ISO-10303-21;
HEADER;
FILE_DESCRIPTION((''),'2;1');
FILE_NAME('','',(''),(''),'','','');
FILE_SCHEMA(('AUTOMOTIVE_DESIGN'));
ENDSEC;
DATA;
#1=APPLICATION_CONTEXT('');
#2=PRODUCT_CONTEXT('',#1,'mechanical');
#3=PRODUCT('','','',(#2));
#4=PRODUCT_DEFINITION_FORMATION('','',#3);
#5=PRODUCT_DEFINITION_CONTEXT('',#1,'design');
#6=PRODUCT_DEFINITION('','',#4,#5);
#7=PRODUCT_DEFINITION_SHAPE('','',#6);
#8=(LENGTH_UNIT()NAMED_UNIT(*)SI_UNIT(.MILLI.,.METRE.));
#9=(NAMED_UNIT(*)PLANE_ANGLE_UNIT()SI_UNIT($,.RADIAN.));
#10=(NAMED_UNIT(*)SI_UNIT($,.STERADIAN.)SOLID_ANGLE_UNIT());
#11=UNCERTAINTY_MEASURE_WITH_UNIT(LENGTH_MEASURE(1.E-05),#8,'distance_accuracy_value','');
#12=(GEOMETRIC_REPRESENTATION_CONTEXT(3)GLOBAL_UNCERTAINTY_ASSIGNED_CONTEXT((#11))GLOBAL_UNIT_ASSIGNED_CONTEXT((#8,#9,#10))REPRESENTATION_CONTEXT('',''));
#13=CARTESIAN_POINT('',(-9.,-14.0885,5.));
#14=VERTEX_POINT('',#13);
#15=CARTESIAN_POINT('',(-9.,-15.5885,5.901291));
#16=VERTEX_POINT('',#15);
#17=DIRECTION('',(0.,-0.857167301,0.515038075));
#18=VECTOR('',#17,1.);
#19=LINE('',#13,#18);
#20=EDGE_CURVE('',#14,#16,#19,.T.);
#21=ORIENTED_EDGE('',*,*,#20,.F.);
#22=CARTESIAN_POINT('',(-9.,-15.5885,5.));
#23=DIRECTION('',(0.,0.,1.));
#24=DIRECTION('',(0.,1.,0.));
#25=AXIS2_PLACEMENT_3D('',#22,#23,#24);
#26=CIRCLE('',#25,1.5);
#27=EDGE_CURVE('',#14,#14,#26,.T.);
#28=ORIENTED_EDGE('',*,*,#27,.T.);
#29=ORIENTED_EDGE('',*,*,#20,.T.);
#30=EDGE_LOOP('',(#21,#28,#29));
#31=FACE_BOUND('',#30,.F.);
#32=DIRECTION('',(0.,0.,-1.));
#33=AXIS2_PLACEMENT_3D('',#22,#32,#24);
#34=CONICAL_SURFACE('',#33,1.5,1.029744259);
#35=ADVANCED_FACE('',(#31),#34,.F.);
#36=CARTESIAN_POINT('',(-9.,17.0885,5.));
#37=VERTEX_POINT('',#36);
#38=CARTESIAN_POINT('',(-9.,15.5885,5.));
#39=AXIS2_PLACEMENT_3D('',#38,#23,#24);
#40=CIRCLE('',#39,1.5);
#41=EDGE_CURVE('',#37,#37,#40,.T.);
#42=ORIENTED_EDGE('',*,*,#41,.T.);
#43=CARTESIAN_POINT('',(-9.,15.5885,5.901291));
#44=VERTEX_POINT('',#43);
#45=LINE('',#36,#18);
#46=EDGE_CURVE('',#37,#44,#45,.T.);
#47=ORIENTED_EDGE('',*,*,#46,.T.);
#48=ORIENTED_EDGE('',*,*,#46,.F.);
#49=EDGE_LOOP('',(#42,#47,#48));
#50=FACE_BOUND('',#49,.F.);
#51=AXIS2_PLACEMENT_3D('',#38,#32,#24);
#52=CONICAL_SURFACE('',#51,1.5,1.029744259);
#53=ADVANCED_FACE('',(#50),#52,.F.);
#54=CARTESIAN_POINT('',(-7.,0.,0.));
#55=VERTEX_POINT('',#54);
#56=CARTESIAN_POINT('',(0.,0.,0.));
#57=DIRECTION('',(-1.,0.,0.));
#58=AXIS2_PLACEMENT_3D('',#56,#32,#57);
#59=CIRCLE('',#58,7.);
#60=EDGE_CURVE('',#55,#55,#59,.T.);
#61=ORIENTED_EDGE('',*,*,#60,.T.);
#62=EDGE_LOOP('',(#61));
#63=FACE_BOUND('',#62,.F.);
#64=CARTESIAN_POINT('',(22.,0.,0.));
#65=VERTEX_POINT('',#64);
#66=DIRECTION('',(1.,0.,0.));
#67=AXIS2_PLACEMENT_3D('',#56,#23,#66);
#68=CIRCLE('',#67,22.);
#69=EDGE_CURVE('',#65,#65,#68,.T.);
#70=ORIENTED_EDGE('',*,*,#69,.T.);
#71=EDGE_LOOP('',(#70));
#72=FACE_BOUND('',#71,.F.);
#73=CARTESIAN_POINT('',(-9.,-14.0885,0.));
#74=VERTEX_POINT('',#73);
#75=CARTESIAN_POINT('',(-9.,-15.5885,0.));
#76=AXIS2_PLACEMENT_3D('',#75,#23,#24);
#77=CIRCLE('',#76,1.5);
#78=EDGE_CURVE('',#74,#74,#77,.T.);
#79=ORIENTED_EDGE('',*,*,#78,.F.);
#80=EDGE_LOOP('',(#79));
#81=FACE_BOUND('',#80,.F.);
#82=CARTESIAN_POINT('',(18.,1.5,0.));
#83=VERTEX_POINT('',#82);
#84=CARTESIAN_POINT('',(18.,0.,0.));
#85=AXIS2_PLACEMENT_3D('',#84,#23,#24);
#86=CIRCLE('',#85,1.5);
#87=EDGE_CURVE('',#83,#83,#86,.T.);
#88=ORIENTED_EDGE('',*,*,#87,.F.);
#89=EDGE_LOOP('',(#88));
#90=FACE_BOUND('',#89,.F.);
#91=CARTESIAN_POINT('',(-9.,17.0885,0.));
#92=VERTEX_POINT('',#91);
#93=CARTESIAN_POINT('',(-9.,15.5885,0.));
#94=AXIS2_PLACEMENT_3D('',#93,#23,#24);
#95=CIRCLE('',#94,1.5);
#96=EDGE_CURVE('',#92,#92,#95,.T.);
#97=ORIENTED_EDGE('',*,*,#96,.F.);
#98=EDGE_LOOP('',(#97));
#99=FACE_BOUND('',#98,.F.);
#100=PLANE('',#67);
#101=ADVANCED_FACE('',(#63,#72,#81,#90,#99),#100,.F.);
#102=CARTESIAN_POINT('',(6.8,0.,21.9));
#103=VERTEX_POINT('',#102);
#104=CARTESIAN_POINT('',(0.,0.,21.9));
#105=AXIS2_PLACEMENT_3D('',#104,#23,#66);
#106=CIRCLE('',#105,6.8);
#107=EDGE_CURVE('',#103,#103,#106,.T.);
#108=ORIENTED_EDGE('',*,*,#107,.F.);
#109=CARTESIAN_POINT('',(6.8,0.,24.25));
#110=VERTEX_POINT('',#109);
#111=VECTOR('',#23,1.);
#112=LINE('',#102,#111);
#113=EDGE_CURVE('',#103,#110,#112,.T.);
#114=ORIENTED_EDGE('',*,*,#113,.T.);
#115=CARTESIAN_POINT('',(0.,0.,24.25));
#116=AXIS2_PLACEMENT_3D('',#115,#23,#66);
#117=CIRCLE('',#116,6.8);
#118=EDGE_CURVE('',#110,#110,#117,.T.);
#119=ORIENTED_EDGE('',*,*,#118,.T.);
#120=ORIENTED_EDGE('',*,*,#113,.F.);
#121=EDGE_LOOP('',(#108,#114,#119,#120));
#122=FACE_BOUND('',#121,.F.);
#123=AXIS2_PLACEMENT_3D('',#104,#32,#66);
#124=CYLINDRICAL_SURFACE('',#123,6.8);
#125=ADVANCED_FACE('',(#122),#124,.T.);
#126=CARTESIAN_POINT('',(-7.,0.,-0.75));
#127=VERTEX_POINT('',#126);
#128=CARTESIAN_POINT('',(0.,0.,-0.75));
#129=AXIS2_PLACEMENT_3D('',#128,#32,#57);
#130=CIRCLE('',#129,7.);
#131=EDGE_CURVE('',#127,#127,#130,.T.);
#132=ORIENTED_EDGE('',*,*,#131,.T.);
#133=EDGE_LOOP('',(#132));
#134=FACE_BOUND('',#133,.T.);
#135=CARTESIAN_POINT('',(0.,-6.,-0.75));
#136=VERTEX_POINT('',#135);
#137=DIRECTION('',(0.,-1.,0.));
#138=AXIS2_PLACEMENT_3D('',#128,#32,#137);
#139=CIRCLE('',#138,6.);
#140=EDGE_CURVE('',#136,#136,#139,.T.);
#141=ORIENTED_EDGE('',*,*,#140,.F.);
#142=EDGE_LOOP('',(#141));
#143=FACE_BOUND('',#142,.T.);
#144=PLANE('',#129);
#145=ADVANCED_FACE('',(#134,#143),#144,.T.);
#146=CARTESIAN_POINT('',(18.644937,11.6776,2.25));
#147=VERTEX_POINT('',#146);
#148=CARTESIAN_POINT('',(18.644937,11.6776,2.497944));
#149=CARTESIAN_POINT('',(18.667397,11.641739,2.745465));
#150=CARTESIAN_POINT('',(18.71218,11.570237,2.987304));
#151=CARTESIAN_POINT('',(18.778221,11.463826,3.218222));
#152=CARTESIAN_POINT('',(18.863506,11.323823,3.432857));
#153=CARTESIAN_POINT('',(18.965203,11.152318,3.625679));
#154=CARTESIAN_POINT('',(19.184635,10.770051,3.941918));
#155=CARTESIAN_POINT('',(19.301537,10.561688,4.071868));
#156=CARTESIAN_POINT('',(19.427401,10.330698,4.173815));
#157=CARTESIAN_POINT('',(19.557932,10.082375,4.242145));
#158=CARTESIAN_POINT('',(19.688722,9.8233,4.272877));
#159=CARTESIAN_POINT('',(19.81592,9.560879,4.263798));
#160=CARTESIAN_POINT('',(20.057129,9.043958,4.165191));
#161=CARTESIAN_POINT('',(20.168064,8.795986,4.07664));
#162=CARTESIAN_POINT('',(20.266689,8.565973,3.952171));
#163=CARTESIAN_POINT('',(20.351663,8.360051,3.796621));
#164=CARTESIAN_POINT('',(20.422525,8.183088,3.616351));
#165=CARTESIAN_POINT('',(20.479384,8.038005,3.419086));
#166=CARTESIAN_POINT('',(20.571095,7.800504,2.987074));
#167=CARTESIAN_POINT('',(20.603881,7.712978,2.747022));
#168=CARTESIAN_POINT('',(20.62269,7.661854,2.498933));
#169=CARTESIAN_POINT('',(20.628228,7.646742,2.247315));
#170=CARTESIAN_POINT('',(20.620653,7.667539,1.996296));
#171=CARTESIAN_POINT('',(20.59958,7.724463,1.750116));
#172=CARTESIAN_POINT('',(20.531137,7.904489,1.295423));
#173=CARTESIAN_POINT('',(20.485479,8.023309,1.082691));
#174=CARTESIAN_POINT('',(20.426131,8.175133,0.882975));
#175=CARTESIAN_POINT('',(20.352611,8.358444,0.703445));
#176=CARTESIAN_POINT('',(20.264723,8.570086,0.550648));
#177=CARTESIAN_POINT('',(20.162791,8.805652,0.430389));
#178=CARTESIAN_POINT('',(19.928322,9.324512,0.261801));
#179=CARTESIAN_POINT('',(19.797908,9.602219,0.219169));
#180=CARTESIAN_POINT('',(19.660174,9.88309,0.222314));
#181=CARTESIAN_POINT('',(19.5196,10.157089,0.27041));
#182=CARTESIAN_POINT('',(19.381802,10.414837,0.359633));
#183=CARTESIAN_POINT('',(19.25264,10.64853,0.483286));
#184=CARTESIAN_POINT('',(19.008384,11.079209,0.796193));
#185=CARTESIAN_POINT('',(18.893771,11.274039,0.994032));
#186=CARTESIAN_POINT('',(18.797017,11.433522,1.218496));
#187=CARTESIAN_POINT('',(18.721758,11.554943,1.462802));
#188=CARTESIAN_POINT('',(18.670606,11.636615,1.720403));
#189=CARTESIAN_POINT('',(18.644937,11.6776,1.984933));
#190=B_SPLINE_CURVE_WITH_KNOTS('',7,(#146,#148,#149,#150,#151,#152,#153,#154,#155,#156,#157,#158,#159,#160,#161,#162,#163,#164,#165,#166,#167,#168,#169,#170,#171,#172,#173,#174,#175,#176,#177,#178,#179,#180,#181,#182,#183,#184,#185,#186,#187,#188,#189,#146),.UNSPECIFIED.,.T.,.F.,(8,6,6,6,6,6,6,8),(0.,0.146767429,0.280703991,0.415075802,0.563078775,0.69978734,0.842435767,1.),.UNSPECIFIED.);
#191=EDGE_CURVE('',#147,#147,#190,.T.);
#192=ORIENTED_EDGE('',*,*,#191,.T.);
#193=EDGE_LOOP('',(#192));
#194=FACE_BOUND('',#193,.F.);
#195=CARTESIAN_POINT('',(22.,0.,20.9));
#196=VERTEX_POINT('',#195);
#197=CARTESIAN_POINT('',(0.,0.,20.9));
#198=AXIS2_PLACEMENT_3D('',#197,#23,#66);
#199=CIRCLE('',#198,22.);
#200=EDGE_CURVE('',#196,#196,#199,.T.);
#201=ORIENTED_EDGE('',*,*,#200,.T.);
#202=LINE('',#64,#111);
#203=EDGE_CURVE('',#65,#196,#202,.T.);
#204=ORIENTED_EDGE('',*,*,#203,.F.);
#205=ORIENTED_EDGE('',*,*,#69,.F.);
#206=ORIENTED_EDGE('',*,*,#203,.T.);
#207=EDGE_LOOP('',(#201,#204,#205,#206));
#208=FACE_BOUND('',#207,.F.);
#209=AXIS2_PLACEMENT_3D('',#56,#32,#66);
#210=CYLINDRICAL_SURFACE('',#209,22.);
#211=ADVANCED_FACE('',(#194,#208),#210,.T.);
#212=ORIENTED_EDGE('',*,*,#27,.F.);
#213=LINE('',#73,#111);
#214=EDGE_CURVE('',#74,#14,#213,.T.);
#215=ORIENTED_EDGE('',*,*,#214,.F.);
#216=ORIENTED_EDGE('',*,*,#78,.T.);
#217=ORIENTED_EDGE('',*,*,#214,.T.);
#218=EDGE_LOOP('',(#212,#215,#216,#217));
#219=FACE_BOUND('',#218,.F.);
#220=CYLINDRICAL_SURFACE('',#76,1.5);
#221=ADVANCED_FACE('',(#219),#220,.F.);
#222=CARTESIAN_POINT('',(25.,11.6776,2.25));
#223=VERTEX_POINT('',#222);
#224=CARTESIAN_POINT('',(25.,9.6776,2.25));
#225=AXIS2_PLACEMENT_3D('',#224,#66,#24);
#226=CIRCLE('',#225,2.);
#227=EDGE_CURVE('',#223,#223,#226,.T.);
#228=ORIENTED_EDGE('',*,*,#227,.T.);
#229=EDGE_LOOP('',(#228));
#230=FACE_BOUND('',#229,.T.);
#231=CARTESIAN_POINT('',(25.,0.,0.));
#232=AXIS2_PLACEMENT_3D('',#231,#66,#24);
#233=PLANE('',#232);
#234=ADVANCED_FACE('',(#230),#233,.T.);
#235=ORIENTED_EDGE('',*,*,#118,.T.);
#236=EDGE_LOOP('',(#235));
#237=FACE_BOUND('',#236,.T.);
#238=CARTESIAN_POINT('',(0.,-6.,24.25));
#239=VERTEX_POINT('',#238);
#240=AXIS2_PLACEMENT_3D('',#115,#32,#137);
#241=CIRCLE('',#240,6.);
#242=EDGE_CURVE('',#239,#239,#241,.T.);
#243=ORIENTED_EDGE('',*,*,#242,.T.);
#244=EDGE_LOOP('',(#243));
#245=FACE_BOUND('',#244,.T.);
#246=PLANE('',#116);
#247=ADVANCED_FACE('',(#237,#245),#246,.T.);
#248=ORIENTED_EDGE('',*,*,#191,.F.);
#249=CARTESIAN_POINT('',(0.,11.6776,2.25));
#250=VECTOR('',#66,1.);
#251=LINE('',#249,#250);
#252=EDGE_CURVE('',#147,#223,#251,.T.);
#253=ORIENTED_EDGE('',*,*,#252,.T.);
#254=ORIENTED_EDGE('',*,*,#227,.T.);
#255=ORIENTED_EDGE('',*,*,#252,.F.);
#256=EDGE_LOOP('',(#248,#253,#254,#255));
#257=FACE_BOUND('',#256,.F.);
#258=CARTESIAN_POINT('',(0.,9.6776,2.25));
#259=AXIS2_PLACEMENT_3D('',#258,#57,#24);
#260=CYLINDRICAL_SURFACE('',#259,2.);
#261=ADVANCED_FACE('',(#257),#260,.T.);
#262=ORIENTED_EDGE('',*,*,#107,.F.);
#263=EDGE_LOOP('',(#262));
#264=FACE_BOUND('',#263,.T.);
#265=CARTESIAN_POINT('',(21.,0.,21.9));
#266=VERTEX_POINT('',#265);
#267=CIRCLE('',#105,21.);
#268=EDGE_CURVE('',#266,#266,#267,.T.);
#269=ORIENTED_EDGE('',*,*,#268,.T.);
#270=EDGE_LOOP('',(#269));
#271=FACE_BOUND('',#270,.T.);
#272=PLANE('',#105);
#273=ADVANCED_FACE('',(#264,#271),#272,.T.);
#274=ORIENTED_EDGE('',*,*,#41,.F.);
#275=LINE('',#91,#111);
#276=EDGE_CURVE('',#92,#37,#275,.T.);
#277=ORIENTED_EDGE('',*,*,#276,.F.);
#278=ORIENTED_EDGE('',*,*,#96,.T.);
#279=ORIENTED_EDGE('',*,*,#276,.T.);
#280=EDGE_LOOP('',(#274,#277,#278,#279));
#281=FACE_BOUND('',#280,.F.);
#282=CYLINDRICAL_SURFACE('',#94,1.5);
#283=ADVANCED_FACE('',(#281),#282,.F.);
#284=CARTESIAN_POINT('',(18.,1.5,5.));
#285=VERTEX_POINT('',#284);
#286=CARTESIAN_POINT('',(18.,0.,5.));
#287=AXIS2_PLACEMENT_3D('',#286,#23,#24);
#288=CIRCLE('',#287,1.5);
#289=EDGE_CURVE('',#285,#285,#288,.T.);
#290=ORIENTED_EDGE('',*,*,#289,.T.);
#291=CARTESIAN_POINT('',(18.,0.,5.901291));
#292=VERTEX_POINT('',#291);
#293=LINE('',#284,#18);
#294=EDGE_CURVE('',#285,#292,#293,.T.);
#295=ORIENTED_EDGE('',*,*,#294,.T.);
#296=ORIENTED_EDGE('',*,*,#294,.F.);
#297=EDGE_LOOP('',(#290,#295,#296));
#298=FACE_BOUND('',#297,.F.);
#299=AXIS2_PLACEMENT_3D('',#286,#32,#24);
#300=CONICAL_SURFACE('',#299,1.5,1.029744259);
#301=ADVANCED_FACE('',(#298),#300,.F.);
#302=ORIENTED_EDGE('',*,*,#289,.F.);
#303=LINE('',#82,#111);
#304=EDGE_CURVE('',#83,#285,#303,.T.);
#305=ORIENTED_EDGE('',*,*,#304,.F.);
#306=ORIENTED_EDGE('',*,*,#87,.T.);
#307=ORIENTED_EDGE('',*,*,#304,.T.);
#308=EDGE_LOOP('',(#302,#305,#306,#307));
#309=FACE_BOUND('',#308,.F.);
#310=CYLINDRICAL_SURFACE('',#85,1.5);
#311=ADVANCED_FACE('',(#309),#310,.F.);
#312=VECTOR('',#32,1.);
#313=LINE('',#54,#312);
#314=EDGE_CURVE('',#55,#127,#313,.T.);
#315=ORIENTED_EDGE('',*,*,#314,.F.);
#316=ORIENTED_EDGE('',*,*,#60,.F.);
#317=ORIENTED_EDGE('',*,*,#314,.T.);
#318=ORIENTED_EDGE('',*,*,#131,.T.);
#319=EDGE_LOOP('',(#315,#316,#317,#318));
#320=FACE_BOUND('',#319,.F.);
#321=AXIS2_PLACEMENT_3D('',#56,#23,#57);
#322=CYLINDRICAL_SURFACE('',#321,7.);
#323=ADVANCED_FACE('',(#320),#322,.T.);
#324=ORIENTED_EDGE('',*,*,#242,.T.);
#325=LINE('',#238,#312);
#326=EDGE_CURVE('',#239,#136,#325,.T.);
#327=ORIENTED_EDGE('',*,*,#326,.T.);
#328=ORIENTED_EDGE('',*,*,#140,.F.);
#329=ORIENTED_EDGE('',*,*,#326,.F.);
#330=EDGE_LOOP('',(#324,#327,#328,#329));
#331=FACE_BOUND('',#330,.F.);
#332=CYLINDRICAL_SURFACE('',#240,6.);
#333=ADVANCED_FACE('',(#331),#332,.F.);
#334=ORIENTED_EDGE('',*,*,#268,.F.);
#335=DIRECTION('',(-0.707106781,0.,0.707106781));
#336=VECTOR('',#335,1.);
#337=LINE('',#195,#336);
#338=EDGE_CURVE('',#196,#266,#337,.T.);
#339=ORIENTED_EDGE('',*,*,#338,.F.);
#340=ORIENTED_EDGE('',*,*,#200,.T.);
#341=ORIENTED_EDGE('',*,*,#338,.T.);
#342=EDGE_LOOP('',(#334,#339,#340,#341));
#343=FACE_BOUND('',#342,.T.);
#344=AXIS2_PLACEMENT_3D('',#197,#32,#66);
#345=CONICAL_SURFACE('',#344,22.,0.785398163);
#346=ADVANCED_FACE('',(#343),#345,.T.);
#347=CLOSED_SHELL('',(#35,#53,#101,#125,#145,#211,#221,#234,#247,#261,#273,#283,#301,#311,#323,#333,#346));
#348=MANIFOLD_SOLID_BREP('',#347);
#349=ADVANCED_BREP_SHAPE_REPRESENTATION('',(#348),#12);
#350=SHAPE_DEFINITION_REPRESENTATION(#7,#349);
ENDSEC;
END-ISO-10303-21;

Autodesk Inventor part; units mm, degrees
ref_plane "YZ Plane" through (0, 0, 0) normal (1, 0, 0) x (0, 1, 0)
ref_plane "XZ Plane" through (0, 0, 0) normal (0, 1, 0) x (-1, 0, 0)
ref_plane "XY Plane" through (0, 0, 0) normal (0, 0, 1) x (1, 0, 0)
sketch "スケッチ1" plane through (0, 0, 0) normal (0, 0, 1) x (1, 0, 0)
  circle A0 centre (0, 0) radius 22
  dimension "d0" = 44
extrude "押し出し1" add sketch "スケッチ1" along normal blind 21.9
chamfer "面取り1" distance 1 angle 45 1 edges at (-22, 0, 21.9)
sketch "スケッチ2" plane through (0, 0, 21.9) normal (0, 0, 1) x (1, 0, 0)
  circle A0 centre (0, 0) radius 6.8
  dimension "d6" = 13.6
extrude "押し出し2" add sketch "スケッチ2" along normal blind 2.35
sketch "スケッチ6" plane through (0, 0, 0) normal (0, 0, 1) x (1, 0, 0)
  point P0 (0, 0)
sketch "スケッチ8" plane through (0, 0, 0) normal (0, 1, 0) x (-1, 0, 0)
  point P0 (0, 0)
sketch "スケッチ9" plane through (0, 0, 0) normal (1, 0, 0) x (0, 1, 0)
  line L0 (-22, 0) -> (22, 0) projected
  circle A0 centre (9.6776, 2.25) radius 2
  point P0 (0, 0)
  dimension "d30" = 2.25
  dimension "d31" = 4
extrude "押し出し3" add sketch "スケッチ9" along normal blind 25
sketch "スケッチ12" plane through (0, 0, 0) normal (0, 0, -1) x (-1, 0, 0)
  circle A0 centre (0, 0) radius 7
  dimension "d44" = 14
extrude "押し出し5" add sketch "スケッチ12" along normal blind 0.75
sketch "スケッチ13" plane through (0, 0, 24.25) normal (0, 0, 1) x (1, 0, 0)
  point P0 (0, 0)
  point P1 (0, 0)
hole "穴4" at (0, 0, 24.25) direction (0, 0, -1) diameter 12 end through all
sketch "スケッチ14" plane through (0, 0, 0) normal (0, 0, -1) x (-1, 0, 0)
  point P0 (0, 0)
  point P1 (-18, 0)
  point P2 (9, -15.5885)
  point P3 (9, 15.5885)
  dimension "d54" = 18
  dimension "d57" = 360
hole "穴5" at (18, 0, 0) at (-9, -15.5885, 0) at (-9, 15.5885, 0) direction (0, 0, 1) diameter 3 depth 5 tip angle 118
properties part number "meh-30-pエンコーダ"
